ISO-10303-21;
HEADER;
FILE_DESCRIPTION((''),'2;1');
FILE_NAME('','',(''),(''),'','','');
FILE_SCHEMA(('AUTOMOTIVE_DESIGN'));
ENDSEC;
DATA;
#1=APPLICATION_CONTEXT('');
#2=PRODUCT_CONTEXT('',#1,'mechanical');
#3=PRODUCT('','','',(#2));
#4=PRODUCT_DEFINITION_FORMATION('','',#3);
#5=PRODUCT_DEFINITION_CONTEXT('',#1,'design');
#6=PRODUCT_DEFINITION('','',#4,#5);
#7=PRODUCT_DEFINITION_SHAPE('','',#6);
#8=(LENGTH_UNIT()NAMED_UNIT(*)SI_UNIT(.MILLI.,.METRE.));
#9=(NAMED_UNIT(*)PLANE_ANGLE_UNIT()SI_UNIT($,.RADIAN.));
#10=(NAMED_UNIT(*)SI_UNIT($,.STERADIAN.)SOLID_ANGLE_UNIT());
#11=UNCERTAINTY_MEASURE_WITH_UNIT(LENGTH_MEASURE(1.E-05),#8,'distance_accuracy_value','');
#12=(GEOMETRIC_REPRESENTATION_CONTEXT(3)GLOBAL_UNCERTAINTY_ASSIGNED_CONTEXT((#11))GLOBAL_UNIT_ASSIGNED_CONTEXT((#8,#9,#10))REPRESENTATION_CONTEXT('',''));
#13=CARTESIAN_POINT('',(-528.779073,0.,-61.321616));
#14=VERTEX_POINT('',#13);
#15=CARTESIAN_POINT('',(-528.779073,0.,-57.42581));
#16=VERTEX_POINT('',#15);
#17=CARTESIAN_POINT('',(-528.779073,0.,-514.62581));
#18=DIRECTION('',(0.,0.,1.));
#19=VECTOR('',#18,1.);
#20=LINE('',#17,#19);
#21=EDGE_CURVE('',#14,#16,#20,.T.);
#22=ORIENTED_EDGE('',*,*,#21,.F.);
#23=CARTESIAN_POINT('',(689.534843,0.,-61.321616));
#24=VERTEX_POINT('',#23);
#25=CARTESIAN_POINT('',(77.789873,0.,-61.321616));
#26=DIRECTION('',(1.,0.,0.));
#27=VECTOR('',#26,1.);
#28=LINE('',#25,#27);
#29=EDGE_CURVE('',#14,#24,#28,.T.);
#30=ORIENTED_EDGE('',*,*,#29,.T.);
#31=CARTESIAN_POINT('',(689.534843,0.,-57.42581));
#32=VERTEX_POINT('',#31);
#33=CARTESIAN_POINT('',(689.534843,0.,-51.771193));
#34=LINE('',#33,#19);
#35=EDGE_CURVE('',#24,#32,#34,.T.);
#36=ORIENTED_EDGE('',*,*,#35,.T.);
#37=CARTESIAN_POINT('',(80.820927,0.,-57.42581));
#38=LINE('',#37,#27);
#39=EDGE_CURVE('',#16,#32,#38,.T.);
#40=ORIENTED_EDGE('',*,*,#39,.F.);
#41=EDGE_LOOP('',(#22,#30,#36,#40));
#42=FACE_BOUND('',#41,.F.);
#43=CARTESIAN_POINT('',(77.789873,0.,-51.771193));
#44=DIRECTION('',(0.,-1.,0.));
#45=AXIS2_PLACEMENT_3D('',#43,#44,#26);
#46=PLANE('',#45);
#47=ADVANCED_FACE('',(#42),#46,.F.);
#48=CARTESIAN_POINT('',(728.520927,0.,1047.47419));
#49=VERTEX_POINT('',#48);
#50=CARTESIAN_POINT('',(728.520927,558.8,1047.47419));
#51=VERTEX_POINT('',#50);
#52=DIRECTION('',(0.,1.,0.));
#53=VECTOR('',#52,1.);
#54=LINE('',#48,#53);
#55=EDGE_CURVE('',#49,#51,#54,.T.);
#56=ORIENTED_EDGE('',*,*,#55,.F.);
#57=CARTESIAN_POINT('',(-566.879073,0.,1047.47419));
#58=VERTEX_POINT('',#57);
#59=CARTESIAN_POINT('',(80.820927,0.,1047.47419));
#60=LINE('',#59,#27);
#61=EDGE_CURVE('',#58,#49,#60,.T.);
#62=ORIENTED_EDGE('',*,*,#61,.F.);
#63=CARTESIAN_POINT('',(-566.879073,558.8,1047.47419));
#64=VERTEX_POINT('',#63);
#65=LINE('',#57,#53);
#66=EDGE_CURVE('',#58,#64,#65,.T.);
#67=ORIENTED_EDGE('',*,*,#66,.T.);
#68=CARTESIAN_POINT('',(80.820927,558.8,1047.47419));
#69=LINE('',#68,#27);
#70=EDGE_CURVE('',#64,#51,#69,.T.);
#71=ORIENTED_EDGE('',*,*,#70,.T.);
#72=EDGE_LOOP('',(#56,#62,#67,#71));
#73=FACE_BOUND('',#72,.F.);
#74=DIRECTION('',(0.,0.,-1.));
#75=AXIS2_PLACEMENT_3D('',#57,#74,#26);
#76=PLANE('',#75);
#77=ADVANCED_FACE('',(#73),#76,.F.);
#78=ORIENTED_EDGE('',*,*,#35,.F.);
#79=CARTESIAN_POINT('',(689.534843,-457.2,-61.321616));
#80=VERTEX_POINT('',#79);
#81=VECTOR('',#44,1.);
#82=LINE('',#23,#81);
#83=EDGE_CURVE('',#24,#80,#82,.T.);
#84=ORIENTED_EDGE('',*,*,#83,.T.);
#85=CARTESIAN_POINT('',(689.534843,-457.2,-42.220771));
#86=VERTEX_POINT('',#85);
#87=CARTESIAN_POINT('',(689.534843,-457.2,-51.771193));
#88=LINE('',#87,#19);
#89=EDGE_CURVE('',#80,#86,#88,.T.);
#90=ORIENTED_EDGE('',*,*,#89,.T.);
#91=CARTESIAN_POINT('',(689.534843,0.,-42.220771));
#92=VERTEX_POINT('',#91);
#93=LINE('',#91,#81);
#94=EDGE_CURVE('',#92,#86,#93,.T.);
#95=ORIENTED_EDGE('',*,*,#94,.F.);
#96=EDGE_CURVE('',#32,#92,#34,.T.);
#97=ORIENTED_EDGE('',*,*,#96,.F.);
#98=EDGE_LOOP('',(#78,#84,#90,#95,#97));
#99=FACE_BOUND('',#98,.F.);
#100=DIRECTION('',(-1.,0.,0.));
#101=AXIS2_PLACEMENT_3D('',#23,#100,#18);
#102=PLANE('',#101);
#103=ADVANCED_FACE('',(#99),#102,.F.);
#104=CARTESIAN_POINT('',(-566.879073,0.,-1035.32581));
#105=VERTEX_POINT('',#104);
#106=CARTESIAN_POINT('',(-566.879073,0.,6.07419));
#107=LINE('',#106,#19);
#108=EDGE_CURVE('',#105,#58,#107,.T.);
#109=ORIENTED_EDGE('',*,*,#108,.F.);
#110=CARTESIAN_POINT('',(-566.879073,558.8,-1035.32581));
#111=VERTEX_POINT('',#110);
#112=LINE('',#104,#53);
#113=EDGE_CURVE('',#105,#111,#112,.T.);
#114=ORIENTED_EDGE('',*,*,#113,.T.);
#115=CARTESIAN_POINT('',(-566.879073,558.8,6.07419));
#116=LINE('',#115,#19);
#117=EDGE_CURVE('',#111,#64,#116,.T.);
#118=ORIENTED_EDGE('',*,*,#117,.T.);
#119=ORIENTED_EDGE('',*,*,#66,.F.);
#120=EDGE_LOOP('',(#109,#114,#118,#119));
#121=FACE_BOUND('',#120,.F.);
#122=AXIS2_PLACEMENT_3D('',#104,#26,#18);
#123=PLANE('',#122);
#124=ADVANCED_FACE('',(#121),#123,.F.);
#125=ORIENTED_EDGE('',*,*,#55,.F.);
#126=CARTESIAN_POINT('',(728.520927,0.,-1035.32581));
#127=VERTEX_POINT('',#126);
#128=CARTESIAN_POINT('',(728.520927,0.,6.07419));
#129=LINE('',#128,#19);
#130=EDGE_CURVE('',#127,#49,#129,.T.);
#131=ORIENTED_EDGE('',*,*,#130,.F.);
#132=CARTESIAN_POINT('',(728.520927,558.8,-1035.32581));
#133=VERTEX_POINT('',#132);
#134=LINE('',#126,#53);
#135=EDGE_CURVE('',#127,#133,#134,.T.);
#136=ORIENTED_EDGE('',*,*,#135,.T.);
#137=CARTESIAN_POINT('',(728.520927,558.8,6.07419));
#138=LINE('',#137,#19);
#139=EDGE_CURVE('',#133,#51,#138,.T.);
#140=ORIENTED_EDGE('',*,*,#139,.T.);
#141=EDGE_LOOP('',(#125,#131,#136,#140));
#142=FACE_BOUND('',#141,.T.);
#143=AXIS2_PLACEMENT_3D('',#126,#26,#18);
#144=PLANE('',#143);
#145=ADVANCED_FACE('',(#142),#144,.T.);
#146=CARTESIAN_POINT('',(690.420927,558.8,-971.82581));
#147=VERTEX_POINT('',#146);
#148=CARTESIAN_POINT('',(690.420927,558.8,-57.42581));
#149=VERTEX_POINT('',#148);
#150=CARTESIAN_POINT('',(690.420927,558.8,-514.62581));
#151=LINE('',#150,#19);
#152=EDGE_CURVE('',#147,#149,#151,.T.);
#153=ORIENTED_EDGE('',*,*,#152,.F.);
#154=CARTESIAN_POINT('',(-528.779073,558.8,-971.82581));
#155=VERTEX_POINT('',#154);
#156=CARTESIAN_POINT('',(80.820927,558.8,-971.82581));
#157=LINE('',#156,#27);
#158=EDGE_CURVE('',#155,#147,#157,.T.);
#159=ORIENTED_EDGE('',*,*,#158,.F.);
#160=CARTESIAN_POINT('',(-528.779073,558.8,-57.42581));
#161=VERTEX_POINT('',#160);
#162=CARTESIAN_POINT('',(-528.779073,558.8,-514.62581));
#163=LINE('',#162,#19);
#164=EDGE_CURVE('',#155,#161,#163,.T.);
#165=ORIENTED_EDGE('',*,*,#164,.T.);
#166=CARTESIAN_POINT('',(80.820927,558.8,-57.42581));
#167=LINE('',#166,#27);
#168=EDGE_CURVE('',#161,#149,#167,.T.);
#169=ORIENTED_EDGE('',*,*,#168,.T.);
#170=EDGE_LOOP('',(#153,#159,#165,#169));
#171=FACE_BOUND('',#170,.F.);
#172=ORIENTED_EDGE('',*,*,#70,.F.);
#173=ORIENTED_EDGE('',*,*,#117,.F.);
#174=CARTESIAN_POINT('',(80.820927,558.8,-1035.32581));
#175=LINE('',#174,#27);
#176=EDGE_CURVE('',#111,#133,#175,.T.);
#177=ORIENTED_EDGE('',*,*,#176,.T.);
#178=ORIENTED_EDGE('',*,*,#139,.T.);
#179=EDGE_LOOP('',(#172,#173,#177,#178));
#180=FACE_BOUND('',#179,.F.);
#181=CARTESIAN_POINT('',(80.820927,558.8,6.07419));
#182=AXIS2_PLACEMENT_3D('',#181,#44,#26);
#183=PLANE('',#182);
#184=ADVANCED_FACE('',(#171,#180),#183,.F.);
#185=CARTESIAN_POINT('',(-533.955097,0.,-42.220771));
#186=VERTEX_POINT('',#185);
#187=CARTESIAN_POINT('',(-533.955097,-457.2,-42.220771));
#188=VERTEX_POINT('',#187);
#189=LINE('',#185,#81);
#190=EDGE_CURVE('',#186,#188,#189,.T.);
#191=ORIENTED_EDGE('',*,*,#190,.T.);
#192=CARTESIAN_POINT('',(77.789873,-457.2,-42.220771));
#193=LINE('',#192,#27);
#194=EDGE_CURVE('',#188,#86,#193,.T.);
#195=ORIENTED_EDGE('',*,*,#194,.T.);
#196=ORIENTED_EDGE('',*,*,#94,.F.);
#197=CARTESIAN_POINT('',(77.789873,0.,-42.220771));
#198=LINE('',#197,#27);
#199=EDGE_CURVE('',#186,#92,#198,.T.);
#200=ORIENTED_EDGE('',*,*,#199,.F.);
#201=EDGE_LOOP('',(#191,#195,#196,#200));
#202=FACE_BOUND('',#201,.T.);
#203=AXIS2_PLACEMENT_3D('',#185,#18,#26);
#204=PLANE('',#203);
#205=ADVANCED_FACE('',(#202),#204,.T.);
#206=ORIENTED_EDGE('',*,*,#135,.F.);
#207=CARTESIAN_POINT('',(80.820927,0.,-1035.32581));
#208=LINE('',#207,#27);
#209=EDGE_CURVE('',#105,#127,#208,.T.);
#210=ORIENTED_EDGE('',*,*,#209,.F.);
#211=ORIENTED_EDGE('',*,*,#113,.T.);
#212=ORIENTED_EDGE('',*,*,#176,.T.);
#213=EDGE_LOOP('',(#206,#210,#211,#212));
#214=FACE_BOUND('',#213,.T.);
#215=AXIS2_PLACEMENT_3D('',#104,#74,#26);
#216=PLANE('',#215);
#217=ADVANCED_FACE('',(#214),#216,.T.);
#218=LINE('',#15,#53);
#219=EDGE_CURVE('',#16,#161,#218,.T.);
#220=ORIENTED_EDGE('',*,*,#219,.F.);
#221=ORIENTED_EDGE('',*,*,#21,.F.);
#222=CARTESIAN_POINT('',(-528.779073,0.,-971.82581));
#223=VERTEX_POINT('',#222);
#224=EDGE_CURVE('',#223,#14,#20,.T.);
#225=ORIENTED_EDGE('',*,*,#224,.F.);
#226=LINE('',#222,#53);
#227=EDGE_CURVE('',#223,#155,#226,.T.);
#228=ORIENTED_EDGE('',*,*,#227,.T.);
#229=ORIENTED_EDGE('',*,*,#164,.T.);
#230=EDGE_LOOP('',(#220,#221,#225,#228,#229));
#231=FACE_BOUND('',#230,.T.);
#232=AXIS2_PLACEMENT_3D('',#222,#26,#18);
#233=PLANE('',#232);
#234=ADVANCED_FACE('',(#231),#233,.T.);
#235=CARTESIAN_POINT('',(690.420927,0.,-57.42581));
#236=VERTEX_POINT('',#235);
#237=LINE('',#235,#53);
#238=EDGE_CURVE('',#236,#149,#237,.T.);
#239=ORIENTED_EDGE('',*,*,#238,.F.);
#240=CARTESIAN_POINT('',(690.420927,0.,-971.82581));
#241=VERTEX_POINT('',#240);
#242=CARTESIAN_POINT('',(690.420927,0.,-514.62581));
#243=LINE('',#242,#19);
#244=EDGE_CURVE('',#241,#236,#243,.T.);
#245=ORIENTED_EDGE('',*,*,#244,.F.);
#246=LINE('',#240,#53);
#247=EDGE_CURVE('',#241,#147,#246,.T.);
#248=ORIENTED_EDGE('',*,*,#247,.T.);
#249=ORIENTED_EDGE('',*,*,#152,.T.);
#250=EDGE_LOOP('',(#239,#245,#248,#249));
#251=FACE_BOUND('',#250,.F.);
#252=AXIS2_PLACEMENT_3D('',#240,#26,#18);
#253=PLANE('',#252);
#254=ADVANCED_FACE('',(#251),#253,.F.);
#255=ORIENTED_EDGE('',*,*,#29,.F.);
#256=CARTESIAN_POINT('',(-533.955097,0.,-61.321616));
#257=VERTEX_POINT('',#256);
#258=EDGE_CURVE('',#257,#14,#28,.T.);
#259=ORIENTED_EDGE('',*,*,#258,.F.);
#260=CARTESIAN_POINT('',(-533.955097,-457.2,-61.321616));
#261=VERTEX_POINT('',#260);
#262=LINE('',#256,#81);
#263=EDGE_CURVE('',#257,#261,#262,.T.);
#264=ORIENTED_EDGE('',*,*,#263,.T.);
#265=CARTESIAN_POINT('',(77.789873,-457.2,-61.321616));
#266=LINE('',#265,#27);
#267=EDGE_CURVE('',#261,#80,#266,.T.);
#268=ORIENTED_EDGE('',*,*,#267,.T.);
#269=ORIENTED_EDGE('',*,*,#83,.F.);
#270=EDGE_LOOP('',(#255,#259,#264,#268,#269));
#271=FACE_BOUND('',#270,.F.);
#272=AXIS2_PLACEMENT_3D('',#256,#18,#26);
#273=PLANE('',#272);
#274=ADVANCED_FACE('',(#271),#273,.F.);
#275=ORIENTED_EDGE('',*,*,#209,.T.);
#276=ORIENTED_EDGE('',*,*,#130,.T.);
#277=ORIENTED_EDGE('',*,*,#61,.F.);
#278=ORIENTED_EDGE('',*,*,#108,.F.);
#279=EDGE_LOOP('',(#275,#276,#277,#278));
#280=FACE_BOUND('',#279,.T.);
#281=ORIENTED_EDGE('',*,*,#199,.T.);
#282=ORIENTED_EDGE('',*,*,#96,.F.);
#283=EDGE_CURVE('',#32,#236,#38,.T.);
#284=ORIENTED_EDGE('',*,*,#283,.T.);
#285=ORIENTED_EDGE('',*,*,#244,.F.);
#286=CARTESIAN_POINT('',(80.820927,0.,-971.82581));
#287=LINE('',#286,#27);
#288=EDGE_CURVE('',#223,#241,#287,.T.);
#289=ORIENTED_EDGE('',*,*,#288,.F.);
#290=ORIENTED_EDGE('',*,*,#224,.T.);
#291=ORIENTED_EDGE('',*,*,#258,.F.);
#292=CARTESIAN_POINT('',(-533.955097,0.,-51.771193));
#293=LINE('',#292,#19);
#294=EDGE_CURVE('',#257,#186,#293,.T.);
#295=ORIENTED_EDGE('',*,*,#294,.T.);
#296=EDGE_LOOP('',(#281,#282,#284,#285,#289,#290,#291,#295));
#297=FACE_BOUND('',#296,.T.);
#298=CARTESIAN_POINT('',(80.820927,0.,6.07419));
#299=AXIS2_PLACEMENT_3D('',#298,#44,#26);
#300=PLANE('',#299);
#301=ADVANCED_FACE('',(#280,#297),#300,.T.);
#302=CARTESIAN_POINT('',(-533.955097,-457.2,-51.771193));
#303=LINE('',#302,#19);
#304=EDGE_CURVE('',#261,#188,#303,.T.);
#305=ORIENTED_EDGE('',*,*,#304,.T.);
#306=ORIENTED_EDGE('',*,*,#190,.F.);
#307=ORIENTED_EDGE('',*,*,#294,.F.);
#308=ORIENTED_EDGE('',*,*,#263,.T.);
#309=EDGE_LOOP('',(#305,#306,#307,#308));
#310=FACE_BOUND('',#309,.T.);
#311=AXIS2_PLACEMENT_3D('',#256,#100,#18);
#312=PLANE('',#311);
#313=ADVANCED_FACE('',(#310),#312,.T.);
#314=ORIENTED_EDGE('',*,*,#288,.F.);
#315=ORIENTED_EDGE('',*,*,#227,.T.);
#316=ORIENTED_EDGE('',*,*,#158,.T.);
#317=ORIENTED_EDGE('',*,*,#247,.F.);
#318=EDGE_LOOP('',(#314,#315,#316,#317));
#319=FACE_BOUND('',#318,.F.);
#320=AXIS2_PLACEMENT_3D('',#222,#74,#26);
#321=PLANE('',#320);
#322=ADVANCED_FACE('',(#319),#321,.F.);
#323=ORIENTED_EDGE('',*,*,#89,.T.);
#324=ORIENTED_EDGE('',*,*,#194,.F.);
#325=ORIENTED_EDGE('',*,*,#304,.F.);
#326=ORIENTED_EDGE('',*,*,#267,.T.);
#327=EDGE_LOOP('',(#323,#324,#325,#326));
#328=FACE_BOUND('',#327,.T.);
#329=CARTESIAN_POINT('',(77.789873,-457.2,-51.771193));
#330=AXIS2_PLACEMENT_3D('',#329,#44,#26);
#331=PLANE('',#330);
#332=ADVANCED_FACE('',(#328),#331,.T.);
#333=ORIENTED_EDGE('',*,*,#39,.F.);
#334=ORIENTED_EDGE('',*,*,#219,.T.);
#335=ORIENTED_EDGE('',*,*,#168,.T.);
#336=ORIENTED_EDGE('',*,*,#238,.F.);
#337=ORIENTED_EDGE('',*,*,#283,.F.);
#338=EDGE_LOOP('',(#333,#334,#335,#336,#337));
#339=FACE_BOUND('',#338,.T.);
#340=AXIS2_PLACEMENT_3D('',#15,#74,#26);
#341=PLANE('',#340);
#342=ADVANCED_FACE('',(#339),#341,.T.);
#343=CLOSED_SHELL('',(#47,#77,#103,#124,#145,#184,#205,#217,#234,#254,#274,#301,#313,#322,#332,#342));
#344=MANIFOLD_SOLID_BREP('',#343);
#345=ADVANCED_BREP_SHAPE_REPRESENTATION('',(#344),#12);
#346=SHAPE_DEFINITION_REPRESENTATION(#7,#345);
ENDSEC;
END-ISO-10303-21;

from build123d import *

# Parameters (mm, degrees)
F0_W      = 1295.4
F0_H      = 2082.8
F1_DEPTH  = 558.8
F3_W      = 1219.2
F3_H      = 914.4
F9_DEPTH  = 558.8
F10_W     = 1223.48994
F10_H     = 19.100845
F11_DEPTH = 457.2


with BuildPart() as f1:
    # F0 (on Front) → F1 (new body)
    with BuildSketch(Plane.XZ):
        with Locations((80.820927, 6.07419)):
            Rectangle(F0_W, F0_H)
    extrude(amount=-F1_DEPTH)

    # F3 (on face) → F9 (cut, through all)
    with BuildSketch(Plane.XZ):
        with Locations((80.820927, -514.62581)):
            Rectangle(F3_W, F3_H)
    extrude(amount=-F9_DEPTH, mode=Mode.SUBTRACT)

    # F10 (on face) → F11 (join)
    with BuildSketch(Plane.XZ):
        with Locations((77.789873, -51.771193)):
            Rectangle(F10_W, F10_H)
    extrude(amount=F11_DEPTH)


solid = f1.part
